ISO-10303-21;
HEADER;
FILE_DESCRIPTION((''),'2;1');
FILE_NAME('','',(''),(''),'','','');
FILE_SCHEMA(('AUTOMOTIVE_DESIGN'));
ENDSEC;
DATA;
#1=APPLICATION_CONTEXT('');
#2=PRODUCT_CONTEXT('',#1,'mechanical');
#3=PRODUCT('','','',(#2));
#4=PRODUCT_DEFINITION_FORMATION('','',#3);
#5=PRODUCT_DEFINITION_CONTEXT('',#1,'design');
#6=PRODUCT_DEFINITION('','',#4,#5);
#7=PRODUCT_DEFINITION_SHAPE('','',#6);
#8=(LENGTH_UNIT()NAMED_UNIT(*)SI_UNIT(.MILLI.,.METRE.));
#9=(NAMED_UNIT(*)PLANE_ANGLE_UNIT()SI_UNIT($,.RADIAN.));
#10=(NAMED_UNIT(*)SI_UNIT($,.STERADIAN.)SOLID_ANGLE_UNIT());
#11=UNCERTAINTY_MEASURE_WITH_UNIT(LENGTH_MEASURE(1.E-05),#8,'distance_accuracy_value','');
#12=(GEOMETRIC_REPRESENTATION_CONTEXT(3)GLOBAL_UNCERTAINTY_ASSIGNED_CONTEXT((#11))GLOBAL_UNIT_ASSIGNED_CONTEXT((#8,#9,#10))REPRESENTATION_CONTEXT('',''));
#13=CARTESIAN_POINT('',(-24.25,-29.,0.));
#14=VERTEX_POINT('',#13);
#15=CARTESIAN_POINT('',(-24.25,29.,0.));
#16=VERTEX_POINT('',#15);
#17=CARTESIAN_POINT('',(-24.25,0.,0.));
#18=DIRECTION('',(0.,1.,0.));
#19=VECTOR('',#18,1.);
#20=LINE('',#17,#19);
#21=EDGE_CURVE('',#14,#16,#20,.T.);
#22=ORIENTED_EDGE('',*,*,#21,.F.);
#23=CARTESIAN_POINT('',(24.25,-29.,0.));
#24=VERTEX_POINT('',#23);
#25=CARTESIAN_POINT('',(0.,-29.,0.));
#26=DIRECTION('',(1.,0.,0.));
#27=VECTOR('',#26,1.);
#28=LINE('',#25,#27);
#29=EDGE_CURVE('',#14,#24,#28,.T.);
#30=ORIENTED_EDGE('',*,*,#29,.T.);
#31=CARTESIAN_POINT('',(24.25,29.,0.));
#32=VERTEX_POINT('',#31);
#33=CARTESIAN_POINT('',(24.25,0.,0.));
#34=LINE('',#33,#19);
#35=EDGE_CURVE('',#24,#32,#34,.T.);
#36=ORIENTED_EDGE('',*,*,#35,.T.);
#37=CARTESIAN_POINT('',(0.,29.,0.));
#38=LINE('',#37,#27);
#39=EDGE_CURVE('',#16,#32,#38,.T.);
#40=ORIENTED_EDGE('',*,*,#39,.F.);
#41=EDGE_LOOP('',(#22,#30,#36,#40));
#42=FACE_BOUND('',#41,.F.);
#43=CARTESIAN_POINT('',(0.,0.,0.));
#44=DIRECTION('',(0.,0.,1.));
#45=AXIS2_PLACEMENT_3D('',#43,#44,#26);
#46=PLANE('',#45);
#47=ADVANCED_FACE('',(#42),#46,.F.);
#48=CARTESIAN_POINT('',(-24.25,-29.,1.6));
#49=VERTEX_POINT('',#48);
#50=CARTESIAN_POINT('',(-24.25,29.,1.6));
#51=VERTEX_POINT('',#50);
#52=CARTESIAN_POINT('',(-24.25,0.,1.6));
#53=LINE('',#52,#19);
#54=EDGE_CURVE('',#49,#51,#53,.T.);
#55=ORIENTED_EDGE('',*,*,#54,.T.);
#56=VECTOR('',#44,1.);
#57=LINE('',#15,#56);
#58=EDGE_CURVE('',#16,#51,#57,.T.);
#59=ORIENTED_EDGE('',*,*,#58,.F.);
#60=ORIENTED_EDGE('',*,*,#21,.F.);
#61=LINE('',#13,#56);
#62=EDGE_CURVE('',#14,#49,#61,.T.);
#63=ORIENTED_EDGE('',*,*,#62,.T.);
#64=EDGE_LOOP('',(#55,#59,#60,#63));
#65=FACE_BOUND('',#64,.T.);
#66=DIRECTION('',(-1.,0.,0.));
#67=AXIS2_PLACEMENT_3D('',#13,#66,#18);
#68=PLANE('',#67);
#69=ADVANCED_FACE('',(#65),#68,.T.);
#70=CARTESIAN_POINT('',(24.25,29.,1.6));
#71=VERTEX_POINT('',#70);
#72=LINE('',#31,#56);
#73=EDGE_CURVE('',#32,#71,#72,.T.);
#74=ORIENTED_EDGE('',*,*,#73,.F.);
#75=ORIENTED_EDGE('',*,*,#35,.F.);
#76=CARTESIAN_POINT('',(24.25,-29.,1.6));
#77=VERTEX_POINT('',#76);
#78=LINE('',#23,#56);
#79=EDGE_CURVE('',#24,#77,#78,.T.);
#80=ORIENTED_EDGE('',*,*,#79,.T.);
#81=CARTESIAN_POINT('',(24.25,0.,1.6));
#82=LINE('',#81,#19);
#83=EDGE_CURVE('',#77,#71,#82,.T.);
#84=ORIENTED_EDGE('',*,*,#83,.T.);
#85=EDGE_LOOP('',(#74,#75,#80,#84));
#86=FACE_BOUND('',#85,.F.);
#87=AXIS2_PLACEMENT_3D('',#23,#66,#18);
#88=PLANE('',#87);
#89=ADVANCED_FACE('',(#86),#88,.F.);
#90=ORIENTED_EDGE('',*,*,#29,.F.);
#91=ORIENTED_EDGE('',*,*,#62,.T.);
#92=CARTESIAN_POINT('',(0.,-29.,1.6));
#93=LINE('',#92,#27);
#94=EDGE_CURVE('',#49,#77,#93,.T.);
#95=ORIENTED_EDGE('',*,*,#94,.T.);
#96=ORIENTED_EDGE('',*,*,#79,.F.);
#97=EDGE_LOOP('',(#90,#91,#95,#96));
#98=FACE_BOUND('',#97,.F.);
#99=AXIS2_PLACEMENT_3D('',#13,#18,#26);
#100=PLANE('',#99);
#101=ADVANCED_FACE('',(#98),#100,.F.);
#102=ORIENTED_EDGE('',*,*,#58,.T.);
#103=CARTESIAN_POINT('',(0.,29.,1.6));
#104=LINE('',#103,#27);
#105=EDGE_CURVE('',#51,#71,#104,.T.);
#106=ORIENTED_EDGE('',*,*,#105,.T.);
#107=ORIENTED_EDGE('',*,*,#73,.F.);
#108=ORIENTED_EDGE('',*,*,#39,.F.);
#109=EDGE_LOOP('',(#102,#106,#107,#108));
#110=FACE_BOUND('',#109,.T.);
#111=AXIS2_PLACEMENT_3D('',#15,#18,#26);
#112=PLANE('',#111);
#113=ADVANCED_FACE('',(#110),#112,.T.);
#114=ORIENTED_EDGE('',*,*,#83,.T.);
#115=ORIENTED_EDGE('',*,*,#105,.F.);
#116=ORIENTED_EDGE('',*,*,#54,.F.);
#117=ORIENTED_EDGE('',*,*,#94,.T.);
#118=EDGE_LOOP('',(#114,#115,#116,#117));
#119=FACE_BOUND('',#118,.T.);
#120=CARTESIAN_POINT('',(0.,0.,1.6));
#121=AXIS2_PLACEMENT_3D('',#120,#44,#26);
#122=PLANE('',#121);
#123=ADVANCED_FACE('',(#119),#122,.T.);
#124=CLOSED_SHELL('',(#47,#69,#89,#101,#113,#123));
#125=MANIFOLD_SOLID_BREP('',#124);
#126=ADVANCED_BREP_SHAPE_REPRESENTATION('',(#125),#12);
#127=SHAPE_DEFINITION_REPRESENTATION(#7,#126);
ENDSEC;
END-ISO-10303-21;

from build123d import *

# Parameters (mm, degrees)
SKETCH_W  = 48.5
SKETCH_H  = 58
PAD_DEPTH = 1.6


with BuildPart() as part:
    # Sketch → Pad (new body)
    with BuildSketch(Plane.XY):
        Rectangle(SKETCH_W, SKETCH_H)
    extrude(amount=PAD_DEPTH)


solid = part.part
